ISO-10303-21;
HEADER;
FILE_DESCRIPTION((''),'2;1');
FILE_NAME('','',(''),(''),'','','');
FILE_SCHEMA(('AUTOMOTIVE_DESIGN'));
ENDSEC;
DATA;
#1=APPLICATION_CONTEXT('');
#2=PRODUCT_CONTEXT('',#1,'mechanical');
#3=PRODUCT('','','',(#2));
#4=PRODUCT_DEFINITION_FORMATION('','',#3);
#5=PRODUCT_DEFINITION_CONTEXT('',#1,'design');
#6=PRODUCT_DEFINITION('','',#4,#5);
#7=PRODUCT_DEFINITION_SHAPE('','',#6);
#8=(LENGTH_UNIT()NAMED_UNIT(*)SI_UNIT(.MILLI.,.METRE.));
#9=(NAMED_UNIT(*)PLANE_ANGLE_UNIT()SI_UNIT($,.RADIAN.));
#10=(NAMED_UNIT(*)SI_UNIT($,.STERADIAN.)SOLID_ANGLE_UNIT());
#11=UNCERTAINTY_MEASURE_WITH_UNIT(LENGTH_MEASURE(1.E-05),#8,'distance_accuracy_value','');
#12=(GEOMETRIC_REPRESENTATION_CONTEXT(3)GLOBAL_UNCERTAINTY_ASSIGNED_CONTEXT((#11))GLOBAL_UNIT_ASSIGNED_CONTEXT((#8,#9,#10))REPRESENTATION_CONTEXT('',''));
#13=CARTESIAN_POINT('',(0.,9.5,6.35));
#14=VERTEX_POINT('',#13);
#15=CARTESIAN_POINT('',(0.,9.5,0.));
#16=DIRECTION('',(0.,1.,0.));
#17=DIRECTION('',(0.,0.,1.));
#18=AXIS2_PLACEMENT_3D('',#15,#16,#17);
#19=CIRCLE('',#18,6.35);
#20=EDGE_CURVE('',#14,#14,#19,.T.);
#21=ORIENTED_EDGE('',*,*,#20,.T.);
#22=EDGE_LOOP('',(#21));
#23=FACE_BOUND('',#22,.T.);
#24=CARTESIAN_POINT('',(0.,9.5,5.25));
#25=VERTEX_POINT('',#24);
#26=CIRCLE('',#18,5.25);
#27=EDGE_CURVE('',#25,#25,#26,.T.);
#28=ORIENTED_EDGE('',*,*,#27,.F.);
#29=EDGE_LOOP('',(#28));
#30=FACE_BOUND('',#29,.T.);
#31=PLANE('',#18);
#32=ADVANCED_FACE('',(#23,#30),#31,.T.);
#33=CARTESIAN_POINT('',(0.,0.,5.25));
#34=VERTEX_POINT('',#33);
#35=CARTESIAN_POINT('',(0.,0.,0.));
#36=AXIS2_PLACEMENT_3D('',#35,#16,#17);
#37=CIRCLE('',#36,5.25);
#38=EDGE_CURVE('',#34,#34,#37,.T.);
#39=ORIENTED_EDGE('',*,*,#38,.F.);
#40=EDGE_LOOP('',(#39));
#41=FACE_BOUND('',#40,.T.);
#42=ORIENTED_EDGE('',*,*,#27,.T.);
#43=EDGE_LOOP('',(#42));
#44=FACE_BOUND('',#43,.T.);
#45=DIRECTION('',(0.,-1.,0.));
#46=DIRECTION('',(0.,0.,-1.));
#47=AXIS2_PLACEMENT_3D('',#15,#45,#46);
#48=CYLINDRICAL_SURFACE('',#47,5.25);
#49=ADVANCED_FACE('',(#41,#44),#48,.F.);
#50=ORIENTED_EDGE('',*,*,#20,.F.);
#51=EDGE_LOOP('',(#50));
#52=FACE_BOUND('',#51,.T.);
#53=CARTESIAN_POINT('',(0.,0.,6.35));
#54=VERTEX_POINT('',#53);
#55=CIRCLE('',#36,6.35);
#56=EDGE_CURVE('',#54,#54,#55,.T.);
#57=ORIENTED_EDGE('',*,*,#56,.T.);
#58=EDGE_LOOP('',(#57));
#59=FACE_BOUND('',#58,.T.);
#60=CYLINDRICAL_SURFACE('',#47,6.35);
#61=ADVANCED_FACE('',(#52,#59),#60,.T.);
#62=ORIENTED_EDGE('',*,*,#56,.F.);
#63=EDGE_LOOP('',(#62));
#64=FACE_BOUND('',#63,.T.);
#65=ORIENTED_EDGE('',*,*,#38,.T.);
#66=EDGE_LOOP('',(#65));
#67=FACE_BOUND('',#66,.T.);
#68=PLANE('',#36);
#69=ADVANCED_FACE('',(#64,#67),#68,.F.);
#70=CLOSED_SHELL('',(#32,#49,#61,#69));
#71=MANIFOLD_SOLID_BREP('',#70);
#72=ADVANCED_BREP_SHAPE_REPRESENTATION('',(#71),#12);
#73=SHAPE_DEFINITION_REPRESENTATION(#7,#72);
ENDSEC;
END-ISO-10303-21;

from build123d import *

# Parameters (mm, degrees)
SKETCH_1_R      = 6.35
SKETCH_1_R_2    = 5.25
EXTRUDE_1_DEPTH = 9.5


with BuildPart() as part:
    # Эскиз1 → Бобышка-Вытянуть1 (new body)
    with BuildSketch(Plane(origin=(0, 0, 0), x_dir=(1, 0, 0), z_dir=(0, 1, 0))):
        with Locations(Location((0, 0, 0), (0, 0, 270))):
            Circle(SKETCH_1_R)
        with Locations(Location((0, 0, 0), (0, 0, 270))):
            Circle(SKETCH_1_R_2, mode=Mode.SUBTRACT)
    extrude(amount=EXTRUDE_1_DEPTH)


solid = part.part
